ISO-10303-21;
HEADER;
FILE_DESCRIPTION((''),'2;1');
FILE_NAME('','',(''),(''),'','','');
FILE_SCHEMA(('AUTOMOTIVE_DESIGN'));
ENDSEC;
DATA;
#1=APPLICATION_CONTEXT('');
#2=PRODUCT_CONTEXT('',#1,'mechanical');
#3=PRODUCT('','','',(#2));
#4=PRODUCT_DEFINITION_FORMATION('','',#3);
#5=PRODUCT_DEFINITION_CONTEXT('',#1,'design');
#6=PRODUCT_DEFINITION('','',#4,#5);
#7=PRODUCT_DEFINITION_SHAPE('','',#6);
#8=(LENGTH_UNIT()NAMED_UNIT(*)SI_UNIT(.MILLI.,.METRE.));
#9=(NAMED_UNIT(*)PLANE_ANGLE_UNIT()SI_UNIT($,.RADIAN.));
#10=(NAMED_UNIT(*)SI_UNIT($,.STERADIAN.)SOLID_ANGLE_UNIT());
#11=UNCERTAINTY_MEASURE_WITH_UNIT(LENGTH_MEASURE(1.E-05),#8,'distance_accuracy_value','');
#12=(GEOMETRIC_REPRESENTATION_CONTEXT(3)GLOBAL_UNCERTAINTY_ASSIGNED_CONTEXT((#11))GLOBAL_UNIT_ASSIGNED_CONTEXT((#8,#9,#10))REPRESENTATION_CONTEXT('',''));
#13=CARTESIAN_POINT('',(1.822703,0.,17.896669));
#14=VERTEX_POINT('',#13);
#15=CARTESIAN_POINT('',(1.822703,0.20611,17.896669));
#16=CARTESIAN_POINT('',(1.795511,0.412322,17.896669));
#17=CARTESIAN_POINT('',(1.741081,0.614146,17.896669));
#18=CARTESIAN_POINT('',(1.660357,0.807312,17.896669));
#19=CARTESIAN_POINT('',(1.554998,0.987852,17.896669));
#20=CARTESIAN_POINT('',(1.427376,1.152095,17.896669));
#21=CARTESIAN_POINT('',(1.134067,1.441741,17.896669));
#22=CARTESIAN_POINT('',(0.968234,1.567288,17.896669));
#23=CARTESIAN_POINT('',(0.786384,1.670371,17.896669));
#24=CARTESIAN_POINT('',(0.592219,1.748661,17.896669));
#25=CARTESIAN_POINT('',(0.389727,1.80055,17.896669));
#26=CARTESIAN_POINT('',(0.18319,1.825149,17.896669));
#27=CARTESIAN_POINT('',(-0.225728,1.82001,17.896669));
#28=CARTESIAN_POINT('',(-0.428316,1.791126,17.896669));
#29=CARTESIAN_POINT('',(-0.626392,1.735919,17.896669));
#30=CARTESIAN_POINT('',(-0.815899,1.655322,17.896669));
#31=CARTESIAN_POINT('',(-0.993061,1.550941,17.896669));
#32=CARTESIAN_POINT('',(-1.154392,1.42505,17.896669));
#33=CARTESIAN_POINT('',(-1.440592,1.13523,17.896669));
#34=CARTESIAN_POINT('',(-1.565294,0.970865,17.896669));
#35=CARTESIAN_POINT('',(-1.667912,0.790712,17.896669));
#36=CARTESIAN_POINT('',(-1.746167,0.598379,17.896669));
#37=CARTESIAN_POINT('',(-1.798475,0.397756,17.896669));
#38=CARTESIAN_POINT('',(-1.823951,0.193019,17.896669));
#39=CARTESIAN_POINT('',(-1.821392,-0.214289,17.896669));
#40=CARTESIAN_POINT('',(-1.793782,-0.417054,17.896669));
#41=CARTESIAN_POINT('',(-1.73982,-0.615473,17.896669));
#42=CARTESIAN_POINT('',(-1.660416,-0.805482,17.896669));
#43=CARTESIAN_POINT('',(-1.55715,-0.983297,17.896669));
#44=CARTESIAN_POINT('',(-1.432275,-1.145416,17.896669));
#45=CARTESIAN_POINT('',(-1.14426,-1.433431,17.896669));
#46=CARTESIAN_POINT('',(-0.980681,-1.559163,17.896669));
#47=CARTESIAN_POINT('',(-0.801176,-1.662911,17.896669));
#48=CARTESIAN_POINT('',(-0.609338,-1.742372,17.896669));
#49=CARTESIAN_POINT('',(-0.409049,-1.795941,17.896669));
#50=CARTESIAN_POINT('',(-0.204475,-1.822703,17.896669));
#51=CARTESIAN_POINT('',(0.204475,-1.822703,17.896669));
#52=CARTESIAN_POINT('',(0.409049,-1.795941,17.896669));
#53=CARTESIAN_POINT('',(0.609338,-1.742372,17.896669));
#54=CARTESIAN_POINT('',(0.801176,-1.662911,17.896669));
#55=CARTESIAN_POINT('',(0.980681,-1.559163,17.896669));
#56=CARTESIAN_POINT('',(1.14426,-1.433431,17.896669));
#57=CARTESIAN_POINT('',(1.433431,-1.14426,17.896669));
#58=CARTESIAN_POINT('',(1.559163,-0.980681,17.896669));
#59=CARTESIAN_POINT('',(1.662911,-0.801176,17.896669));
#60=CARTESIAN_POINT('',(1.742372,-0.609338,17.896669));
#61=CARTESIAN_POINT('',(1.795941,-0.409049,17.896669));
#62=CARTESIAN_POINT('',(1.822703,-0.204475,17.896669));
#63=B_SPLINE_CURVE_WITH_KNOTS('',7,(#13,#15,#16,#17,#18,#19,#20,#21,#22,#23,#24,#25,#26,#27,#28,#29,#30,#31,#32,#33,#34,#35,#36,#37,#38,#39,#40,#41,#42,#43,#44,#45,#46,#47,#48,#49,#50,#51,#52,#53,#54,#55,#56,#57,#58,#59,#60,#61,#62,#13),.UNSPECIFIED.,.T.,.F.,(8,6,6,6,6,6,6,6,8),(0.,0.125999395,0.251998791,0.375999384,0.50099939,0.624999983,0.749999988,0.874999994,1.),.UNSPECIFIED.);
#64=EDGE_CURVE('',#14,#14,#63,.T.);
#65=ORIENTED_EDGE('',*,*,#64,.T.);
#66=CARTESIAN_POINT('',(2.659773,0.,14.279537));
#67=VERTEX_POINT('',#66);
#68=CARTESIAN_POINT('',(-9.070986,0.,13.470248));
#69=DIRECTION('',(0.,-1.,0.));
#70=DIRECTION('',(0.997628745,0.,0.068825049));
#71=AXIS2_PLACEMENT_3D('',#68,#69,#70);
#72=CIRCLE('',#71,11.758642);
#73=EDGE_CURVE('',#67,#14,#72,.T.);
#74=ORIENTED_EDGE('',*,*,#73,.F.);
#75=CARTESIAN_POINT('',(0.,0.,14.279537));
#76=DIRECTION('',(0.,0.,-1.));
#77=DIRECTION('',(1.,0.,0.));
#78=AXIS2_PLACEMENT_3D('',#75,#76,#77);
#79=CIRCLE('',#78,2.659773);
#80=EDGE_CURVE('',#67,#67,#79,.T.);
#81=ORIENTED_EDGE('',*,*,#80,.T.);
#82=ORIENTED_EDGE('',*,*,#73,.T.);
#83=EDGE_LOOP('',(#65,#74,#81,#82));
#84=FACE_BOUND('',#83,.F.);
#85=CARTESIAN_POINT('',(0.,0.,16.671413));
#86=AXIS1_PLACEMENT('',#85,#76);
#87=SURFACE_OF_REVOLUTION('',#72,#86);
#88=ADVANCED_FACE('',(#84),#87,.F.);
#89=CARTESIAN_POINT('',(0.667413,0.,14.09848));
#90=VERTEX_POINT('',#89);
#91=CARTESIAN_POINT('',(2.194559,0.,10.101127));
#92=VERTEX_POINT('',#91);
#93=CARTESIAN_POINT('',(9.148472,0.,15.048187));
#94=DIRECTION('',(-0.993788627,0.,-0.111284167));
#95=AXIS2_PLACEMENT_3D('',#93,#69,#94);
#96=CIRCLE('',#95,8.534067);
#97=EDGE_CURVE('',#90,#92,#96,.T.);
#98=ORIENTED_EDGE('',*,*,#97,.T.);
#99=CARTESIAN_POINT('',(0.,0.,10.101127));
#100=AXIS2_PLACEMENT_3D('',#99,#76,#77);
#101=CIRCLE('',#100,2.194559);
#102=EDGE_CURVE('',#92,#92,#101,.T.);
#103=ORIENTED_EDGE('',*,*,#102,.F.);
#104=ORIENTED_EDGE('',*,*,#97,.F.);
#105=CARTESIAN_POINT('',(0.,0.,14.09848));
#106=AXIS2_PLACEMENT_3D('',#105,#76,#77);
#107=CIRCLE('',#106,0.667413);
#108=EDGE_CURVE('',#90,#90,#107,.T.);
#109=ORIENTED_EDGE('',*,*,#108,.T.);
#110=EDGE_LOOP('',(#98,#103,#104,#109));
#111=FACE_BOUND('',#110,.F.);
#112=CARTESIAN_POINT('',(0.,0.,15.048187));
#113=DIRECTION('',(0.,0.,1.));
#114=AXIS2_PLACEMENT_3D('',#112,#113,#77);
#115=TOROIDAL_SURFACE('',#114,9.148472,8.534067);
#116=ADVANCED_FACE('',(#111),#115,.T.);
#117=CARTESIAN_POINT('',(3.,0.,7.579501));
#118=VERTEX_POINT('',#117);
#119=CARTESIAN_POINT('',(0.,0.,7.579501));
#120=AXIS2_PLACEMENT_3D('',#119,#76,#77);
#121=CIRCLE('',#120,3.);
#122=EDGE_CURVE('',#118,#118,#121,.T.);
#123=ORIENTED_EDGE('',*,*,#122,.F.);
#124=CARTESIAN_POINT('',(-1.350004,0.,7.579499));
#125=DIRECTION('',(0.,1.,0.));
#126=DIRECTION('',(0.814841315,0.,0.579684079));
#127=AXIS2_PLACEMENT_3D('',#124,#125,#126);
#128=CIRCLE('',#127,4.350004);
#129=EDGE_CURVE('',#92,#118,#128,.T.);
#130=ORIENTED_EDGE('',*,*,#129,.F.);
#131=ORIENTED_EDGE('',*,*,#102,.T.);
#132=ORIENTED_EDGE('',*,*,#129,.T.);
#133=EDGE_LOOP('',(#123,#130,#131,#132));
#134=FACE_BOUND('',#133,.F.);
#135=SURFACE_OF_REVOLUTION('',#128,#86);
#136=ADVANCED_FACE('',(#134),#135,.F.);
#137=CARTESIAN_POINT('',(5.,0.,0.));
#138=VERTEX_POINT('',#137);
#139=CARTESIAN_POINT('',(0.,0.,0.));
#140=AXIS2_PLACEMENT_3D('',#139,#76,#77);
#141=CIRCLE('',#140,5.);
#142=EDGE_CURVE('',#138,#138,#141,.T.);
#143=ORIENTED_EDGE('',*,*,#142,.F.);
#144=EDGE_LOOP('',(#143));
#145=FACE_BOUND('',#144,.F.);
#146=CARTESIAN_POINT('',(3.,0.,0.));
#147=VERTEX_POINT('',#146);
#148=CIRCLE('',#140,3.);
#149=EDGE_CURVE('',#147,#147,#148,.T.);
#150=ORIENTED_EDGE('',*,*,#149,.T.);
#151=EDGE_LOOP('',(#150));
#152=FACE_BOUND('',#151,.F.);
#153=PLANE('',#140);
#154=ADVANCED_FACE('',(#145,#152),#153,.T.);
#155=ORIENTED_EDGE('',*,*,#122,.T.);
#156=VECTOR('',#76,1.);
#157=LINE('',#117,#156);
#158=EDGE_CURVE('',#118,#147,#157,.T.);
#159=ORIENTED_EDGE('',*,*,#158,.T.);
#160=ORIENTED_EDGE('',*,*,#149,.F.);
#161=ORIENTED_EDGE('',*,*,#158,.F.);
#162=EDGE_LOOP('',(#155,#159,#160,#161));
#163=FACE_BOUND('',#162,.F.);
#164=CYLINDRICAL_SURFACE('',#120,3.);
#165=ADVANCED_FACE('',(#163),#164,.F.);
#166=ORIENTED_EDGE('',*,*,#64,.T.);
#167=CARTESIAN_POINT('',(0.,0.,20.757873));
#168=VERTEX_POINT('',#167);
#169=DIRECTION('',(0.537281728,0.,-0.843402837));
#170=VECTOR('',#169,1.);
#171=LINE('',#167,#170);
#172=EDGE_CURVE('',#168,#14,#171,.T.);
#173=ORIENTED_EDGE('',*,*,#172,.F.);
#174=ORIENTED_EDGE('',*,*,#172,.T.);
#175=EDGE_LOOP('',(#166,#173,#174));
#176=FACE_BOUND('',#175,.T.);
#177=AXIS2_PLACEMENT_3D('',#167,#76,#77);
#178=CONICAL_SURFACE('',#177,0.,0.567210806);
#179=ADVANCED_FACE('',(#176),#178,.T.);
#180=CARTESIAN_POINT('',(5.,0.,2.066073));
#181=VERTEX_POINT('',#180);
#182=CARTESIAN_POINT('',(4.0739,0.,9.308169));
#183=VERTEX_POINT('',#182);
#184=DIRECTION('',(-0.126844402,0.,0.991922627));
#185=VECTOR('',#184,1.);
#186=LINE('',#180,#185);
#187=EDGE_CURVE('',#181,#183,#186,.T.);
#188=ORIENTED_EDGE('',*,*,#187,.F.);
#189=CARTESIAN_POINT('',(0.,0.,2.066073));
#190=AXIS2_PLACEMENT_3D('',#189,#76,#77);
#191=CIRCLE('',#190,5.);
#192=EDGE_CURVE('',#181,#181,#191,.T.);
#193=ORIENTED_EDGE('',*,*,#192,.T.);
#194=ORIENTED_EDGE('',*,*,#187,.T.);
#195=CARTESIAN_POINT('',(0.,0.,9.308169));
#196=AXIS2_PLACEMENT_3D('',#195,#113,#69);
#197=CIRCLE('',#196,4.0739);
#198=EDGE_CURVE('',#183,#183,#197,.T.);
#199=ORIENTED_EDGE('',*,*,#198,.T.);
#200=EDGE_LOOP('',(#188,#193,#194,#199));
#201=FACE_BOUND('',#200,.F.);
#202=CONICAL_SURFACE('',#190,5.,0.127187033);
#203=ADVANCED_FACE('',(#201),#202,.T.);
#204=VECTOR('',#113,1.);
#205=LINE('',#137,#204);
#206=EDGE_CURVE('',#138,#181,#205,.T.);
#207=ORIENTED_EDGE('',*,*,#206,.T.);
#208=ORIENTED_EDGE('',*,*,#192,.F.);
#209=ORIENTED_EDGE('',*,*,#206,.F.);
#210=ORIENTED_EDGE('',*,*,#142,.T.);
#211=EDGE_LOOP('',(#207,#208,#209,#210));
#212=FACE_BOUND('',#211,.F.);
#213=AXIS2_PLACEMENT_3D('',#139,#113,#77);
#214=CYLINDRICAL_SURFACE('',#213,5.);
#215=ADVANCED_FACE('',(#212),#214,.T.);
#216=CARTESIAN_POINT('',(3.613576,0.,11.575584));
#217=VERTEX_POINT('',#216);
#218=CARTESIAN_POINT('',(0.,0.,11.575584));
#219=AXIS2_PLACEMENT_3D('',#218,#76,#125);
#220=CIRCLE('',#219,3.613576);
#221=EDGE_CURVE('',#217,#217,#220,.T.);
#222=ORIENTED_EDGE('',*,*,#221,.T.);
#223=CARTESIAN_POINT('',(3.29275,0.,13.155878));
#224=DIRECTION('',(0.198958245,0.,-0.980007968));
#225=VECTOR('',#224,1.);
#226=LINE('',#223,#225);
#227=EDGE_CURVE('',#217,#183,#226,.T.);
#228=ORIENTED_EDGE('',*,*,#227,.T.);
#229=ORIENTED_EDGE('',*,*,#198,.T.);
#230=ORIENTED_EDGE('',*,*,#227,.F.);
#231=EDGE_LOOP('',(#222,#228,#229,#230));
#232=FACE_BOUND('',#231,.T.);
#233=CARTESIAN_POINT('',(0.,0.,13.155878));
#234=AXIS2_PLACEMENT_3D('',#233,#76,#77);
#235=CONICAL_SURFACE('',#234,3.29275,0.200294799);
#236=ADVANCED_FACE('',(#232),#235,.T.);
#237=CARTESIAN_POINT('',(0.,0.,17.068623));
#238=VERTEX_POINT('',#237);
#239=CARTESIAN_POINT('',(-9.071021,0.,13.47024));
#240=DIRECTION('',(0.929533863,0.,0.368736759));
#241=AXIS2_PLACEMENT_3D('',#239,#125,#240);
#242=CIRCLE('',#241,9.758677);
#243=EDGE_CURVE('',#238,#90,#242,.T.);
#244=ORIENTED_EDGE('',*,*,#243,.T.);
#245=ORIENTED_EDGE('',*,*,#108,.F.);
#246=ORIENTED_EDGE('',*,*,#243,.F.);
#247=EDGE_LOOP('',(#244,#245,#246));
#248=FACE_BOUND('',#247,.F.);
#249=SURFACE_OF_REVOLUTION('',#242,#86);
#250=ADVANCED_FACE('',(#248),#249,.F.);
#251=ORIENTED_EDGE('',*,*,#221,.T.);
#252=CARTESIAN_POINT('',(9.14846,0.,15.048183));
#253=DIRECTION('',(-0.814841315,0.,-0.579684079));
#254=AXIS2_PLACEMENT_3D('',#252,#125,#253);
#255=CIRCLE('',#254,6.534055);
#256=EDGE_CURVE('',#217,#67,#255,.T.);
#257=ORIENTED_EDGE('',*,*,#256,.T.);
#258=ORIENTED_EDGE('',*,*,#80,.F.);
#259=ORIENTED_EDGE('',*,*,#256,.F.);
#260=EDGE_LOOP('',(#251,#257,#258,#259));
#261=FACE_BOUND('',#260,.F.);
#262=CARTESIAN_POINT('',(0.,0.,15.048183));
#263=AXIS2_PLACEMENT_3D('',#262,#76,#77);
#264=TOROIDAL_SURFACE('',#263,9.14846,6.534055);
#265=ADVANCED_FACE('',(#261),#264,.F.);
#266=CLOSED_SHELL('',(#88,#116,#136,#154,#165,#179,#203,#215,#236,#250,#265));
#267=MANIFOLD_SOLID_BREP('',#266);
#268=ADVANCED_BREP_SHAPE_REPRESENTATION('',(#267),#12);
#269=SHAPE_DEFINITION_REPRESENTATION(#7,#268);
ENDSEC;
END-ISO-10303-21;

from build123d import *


with BuildPart() as f1:
    # F0 (on Front) → F1 (revolve)
    with BuildSketch(Plane.XZ):
        with BuildLine():
            Line((3, 0), (5, 0))
            Line((5, 0), (5, 2.066073))
            Line((5, 2.066073), (3.824242, 11.260495))
            ThreePointArc((3.824242, 11.260495), (3.052163, 12.696792), (2.659773, 14.279537))
            ThreePointArc((2.659773, 14.279537), (1.851925, 17.824059), (0, 20.952418))
            Line((0, 20.952418), (0, 17.068623))
            ThreePointArc((0, 17.068623), (0.450236, 15.609737), (0.667413, 14.09848))
            ThreePointArc((0.667413, 14.09848), (1.176377, 12.002533), (2.194559, 10.101127))
            ThreePointArc((2.194559, 10.101127), (2.79375, 8.903069), (3, 7.579501))
            Line((3, 7.579501), (3, 0))
        make_face()
    revolve(axis=Axis((0, 0, 16.671413), (0, 0, -1)))

    # F2 (on Front) → F3 (revolve, cut)
    with BuildSketch(Plane.XZ):
        Polygon((9.900054, 13.367673), (0, 21.913905), (0, 20.757873), (3.29275, 15.589049), (3.29275, 13.155878), (5.5244, 2.163447), align=None)
    revolve(axis=Axis((0, 0, 21.335889), (0, 0, -1)), mode=Mode.SUBTRACT)


solid = f1.part
